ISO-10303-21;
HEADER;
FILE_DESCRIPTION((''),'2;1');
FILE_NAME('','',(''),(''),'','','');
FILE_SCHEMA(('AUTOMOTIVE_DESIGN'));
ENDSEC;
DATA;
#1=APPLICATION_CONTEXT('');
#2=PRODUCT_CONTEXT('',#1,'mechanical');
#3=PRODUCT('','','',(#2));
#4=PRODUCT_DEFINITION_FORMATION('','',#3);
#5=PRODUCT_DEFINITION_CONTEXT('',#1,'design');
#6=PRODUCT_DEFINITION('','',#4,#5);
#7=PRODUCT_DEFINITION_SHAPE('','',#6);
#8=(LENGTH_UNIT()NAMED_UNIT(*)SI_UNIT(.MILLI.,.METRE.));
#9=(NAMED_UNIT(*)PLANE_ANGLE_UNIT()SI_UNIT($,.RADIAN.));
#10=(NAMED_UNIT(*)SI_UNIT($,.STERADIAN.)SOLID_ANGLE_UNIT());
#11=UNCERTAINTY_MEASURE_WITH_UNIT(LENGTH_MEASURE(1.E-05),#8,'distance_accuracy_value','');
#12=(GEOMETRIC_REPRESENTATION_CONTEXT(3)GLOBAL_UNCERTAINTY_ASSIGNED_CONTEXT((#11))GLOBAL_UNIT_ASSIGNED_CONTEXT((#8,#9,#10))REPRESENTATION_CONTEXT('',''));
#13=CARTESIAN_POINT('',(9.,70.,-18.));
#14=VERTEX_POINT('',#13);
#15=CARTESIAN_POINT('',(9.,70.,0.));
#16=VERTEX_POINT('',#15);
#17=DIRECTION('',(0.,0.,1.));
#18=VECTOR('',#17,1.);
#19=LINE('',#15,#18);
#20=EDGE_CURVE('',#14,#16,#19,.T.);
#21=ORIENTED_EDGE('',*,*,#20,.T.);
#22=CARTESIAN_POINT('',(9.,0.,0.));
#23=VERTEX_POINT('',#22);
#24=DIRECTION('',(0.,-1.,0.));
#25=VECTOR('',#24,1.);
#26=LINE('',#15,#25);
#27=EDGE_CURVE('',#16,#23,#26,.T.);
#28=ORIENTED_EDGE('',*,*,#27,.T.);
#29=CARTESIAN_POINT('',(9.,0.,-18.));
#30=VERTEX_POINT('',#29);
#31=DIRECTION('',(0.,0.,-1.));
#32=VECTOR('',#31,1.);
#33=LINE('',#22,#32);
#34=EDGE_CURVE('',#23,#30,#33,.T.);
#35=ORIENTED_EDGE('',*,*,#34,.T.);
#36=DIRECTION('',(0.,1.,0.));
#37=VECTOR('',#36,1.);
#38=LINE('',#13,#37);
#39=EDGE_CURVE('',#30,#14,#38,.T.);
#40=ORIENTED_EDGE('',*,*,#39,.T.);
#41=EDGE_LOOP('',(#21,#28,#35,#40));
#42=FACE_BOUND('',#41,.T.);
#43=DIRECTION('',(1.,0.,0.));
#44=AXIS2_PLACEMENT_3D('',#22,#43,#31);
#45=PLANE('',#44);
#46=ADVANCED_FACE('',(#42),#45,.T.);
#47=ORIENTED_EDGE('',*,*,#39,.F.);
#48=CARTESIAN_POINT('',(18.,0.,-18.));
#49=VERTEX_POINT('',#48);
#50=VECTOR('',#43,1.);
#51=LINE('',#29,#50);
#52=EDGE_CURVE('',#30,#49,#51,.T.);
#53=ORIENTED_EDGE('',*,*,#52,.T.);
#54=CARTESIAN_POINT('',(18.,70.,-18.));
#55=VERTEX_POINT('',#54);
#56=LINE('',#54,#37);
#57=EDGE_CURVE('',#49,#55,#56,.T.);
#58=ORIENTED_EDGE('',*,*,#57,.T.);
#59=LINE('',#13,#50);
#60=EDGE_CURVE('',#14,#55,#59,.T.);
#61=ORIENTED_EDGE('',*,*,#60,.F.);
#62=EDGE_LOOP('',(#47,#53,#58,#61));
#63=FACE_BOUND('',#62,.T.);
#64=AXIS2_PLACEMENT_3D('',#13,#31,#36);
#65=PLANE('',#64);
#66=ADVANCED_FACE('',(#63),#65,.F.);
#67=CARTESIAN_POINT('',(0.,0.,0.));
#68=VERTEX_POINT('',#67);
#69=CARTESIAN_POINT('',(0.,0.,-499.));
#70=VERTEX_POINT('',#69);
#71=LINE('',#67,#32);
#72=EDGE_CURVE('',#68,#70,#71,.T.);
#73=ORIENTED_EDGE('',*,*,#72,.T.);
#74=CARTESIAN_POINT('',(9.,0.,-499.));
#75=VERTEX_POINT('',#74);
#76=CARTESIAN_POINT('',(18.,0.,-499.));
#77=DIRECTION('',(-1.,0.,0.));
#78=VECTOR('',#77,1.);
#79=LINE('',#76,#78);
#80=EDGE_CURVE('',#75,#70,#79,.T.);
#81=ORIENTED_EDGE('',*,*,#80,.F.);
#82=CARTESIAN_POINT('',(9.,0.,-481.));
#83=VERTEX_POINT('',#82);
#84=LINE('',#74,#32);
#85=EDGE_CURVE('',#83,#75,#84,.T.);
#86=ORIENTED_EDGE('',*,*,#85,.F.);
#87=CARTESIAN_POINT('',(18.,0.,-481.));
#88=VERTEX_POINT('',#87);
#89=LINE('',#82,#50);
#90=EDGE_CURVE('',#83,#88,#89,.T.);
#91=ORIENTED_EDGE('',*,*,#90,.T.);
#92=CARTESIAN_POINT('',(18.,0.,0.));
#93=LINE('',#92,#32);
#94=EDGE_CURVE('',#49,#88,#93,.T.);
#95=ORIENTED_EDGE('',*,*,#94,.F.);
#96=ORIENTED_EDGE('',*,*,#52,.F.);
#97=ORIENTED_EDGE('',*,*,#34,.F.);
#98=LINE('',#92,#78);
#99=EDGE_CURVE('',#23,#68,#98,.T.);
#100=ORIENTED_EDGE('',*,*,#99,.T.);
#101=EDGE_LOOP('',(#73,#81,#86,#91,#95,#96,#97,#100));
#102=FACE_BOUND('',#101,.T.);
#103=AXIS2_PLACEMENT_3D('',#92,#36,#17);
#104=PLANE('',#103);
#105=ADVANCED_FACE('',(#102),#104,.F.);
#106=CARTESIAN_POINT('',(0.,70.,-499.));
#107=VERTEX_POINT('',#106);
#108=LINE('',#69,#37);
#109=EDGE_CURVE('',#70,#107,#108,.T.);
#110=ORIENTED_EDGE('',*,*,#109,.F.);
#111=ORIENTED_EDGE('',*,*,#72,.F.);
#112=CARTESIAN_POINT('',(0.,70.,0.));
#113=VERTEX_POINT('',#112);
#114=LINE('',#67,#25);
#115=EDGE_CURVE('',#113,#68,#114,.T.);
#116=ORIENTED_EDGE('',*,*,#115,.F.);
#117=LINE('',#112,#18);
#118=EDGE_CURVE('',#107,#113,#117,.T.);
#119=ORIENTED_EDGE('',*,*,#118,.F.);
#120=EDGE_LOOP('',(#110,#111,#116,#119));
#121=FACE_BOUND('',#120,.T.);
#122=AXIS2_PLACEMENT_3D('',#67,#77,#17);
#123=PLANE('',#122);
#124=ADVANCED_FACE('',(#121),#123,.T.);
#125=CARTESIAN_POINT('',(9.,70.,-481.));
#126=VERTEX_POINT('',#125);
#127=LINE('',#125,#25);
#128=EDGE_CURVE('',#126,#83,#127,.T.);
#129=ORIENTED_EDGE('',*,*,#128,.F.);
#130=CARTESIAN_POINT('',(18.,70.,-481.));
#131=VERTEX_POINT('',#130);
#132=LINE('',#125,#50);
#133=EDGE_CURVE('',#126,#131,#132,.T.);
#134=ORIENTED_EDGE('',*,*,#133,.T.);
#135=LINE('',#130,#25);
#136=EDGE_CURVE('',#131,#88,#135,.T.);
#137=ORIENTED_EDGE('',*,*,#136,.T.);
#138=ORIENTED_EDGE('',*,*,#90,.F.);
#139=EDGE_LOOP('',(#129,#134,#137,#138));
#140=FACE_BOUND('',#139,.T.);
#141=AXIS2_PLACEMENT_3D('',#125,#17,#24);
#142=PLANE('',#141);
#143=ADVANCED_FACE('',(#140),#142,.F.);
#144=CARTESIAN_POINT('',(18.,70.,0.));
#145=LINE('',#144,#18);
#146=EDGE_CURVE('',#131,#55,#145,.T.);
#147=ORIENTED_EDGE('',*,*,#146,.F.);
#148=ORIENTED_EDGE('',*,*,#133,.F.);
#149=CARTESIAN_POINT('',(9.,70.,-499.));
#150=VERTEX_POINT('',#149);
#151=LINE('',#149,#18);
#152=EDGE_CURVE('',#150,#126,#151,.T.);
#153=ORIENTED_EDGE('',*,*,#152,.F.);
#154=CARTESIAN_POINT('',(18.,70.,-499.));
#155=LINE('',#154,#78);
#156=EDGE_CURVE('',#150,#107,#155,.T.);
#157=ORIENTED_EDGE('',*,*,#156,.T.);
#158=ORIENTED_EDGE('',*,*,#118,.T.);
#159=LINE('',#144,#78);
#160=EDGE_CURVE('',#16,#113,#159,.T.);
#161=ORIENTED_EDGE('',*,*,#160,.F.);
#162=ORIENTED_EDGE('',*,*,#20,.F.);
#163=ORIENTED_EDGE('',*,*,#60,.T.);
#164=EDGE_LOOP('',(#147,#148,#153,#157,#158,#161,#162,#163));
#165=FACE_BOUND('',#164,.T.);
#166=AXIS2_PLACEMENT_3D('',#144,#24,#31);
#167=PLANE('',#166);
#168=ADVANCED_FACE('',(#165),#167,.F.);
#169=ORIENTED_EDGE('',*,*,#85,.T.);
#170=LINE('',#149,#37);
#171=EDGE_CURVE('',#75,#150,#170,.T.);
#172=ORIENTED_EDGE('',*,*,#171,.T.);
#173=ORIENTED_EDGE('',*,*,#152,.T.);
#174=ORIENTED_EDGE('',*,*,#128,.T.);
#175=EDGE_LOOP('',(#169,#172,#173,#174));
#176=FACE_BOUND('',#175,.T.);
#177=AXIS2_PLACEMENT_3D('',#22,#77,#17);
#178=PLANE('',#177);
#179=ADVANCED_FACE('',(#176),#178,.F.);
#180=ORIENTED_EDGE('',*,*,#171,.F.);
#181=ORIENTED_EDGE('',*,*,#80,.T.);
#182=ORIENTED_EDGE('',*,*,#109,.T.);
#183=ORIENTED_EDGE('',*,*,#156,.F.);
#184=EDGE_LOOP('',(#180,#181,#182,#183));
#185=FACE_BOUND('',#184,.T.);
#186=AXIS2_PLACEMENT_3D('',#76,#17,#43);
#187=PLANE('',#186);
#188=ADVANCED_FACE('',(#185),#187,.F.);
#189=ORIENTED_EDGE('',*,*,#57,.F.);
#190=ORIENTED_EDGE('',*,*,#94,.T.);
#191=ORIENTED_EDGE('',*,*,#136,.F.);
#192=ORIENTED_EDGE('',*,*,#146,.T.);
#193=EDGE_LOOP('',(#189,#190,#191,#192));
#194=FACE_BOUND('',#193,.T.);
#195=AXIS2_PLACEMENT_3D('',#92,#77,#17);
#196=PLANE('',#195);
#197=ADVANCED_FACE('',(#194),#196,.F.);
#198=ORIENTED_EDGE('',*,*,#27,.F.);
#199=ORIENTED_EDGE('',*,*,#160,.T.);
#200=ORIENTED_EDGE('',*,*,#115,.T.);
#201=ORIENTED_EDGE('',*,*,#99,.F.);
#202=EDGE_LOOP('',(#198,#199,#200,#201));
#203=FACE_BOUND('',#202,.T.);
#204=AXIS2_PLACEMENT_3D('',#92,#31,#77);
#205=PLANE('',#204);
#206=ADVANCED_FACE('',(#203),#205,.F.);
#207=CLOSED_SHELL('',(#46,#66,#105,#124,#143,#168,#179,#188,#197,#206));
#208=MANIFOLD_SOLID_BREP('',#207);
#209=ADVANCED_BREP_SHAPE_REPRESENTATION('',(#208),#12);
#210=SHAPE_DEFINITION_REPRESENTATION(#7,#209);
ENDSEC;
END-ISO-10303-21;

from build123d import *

# Parameters (mm, degrees)
SKETCH1_W           = 499
SKETCH1_H           = 70
BOSS_EXTRUDE1_DEPTH = 18
SKETCH2_W           = 18
SKETCH2_H           = 70
CUT_EXTRUDE1_DEPTH  = 9


with BuildPart() as part:
    # Sketch1 → Boss-Extrude1 (new body)
    with BuildSketch(Plane(origin=(0, 0, 0), x_dir=(0, 0, -1), z_dir=(1, 0, 0))):
        with Locations((249.5, 35)):
            Rectangle(SKETCH1_W, SKETCH1_H)
    extrude(amount=BOSS_EXTRUDE1_DEPTH)

    # Sketch2 → Cut-Extrude1 (cut)
    with BuildSketch(Plane(origin=(18, 0, 0), x_dir=(0, 0, -1), z_dir=(1, 0, 0))):
        with Locations((490, 35)):
            Rectangle(SKETCH2_W, SKETCH2_H)
        with Locations((9, 35)):
            Rectangle(SKETCH2_W, SKETCH2_H)
    extrude(amount=-CUT_EXTRUDE1_DEPTH, mode=Mode.SUBTRACT)


solid = part.part
